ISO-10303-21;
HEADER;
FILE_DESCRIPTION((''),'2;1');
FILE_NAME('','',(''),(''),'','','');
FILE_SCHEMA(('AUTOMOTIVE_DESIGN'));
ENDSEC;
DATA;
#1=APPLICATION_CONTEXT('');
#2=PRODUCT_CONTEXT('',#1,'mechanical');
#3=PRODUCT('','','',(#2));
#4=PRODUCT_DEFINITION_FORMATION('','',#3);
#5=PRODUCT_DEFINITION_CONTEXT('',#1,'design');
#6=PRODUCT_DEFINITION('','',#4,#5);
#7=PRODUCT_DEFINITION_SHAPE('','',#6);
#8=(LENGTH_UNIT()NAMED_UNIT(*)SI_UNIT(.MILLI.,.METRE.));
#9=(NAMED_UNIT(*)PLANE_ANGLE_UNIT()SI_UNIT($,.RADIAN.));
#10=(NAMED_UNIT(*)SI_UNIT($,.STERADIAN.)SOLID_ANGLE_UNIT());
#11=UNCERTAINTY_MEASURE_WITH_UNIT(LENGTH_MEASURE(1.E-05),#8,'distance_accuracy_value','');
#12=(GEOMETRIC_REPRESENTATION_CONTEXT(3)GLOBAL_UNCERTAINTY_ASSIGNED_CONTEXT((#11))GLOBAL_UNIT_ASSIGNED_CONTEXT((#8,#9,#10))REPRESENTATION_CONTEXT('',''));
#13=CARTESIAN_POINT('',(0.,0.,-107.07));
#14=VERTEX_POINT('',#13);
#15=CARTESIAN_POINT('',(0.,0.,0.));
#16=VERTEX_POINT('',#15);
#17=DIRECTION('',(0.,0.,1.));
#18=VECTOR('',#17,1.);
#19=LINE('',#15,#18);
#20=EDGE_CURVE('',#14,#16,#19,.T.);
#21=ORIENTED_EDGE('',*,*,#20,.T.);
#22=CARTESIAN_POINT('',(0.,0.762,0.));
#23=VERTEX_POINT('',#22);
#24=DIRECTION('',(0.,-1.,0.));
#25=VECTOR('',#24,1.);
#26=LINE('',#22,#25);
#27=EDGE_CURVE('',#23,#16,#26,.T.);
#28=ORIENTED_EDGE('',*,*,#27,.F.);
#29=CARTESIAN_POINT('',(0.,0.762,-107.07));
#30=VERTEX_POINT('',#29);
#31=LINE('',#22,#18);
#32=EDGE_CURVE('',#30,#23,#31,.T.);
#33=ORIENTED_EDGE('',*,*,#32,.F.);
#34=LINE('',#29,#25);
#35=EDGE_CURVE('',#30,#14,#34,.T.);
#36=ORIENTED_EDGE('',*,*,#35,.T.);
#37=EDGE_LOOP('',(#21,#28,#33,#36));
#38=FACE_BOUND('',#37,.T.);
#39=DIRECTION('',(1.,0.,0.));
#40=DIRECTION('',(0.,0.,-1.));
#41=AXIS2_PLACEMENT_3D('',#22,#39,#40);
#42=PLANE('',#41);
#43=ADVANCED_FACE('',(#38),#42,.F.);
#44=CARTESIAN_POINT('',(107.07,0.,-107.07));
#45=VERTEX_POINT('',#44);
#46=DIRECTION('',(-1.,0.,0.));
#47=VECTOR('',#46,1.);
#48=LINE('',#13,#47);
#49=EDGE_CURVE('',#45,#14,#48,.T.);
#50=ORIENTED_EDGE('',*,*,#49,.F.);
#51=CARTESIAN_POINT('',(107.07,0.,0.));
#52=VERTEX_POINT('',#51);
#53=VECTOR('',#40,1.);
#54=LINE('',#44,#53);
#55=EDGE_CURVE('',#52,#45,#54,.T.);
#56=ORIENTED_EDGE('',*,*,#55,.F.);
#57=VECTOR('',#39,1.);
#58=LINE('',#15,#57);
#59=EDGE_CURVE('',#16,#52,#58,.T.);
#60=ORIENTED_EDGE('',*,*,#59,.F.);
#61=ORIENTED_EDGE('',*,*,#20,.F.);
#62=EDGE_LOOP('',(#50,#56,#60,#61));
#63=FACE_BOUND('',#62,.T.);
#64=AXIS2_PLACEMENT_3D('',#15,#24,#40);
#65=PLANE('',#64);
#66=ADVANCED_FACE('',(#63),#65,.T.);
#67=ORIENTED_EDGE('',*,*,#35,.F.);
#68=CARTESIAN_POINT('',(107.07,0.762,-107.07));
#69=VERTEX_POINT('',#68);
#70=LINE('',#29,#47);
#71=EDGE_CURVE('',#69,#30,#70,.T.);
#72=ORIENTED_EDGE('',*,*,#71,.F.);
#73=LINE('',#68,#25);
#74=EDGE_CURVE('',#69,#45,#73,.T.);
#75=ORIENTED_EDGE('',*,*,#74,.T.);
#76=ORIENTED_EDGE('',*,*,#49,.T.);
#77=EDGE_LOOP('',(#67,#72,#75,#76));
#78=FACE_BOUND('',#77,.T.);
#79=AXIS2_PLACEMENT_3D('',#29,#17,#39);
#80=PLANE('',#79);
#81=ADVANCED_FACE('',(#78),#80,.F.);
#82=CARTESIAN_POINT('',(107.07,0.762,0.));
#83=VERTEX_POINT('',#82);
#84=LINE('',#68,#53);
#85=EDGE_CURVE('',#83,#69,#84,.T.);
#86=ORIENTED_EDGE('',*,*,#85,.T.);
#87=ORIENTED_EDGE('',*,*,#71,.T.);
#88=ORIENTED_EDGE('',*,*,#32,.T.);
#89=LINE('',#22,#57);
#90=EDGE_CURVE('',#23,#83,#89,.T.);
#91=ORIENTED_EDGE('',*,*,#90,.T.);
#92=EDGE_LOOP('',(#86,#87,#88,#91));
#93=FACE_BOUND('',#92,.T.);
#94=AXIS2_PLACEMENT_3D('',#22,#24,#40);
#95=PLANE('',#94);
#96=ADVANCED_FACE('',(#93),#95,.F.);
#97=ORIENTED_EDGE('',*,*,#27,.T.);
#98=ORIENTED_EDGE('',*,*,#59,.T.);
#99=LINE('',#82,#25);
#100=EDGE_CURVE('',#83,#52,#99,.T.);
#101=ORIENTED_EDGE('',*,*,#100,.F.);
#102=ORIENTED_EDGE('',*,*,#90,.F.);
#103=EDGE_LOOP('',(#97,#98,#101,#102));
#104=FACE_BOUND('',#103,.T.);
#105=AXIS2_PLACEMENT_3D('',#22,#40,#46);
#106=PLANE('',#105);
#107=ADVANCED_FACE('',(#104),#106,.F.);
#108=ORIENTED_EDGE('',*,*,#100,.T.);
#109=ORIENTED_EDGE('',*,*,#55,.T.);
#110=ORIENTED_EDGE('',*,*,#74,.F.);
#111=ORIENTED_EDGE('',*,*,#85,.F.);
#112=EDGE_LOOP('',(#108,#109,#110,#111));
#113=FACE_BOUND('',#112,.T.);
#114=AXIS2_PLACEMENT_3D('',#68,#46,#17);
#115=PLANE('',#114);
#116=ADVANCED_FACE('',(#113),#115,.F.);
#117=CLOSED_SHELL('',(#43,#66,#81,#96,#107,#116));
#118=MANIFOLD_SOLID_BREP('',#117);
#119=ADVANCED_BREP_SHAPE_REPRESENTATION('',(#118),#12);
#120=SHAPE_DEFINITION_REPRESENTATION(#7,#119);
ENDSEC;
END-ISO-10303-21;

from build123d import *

# Parameters (mm, degrees)
SKETCH1_W           = 107.07
SKETCH1_H           = 107.07
BOSS_EXTRUDE1_DEPTH = 0.762


with BuildPart() as part:
    # Sketch1 → Boss-Extrude1 (new body)
    with BuildSketch(Plane(origin=(0, 0, 0), x_dir=(1, 0, 0), z_dir=(0, 1, 0))):
        with Locations((53.535, 53.535)):
            Rectangle(SKETCH1_W, SKETCH1_H)
    extrude(amount=BOSS_EXTRUDE1_DEPTH)


solid = part.part
